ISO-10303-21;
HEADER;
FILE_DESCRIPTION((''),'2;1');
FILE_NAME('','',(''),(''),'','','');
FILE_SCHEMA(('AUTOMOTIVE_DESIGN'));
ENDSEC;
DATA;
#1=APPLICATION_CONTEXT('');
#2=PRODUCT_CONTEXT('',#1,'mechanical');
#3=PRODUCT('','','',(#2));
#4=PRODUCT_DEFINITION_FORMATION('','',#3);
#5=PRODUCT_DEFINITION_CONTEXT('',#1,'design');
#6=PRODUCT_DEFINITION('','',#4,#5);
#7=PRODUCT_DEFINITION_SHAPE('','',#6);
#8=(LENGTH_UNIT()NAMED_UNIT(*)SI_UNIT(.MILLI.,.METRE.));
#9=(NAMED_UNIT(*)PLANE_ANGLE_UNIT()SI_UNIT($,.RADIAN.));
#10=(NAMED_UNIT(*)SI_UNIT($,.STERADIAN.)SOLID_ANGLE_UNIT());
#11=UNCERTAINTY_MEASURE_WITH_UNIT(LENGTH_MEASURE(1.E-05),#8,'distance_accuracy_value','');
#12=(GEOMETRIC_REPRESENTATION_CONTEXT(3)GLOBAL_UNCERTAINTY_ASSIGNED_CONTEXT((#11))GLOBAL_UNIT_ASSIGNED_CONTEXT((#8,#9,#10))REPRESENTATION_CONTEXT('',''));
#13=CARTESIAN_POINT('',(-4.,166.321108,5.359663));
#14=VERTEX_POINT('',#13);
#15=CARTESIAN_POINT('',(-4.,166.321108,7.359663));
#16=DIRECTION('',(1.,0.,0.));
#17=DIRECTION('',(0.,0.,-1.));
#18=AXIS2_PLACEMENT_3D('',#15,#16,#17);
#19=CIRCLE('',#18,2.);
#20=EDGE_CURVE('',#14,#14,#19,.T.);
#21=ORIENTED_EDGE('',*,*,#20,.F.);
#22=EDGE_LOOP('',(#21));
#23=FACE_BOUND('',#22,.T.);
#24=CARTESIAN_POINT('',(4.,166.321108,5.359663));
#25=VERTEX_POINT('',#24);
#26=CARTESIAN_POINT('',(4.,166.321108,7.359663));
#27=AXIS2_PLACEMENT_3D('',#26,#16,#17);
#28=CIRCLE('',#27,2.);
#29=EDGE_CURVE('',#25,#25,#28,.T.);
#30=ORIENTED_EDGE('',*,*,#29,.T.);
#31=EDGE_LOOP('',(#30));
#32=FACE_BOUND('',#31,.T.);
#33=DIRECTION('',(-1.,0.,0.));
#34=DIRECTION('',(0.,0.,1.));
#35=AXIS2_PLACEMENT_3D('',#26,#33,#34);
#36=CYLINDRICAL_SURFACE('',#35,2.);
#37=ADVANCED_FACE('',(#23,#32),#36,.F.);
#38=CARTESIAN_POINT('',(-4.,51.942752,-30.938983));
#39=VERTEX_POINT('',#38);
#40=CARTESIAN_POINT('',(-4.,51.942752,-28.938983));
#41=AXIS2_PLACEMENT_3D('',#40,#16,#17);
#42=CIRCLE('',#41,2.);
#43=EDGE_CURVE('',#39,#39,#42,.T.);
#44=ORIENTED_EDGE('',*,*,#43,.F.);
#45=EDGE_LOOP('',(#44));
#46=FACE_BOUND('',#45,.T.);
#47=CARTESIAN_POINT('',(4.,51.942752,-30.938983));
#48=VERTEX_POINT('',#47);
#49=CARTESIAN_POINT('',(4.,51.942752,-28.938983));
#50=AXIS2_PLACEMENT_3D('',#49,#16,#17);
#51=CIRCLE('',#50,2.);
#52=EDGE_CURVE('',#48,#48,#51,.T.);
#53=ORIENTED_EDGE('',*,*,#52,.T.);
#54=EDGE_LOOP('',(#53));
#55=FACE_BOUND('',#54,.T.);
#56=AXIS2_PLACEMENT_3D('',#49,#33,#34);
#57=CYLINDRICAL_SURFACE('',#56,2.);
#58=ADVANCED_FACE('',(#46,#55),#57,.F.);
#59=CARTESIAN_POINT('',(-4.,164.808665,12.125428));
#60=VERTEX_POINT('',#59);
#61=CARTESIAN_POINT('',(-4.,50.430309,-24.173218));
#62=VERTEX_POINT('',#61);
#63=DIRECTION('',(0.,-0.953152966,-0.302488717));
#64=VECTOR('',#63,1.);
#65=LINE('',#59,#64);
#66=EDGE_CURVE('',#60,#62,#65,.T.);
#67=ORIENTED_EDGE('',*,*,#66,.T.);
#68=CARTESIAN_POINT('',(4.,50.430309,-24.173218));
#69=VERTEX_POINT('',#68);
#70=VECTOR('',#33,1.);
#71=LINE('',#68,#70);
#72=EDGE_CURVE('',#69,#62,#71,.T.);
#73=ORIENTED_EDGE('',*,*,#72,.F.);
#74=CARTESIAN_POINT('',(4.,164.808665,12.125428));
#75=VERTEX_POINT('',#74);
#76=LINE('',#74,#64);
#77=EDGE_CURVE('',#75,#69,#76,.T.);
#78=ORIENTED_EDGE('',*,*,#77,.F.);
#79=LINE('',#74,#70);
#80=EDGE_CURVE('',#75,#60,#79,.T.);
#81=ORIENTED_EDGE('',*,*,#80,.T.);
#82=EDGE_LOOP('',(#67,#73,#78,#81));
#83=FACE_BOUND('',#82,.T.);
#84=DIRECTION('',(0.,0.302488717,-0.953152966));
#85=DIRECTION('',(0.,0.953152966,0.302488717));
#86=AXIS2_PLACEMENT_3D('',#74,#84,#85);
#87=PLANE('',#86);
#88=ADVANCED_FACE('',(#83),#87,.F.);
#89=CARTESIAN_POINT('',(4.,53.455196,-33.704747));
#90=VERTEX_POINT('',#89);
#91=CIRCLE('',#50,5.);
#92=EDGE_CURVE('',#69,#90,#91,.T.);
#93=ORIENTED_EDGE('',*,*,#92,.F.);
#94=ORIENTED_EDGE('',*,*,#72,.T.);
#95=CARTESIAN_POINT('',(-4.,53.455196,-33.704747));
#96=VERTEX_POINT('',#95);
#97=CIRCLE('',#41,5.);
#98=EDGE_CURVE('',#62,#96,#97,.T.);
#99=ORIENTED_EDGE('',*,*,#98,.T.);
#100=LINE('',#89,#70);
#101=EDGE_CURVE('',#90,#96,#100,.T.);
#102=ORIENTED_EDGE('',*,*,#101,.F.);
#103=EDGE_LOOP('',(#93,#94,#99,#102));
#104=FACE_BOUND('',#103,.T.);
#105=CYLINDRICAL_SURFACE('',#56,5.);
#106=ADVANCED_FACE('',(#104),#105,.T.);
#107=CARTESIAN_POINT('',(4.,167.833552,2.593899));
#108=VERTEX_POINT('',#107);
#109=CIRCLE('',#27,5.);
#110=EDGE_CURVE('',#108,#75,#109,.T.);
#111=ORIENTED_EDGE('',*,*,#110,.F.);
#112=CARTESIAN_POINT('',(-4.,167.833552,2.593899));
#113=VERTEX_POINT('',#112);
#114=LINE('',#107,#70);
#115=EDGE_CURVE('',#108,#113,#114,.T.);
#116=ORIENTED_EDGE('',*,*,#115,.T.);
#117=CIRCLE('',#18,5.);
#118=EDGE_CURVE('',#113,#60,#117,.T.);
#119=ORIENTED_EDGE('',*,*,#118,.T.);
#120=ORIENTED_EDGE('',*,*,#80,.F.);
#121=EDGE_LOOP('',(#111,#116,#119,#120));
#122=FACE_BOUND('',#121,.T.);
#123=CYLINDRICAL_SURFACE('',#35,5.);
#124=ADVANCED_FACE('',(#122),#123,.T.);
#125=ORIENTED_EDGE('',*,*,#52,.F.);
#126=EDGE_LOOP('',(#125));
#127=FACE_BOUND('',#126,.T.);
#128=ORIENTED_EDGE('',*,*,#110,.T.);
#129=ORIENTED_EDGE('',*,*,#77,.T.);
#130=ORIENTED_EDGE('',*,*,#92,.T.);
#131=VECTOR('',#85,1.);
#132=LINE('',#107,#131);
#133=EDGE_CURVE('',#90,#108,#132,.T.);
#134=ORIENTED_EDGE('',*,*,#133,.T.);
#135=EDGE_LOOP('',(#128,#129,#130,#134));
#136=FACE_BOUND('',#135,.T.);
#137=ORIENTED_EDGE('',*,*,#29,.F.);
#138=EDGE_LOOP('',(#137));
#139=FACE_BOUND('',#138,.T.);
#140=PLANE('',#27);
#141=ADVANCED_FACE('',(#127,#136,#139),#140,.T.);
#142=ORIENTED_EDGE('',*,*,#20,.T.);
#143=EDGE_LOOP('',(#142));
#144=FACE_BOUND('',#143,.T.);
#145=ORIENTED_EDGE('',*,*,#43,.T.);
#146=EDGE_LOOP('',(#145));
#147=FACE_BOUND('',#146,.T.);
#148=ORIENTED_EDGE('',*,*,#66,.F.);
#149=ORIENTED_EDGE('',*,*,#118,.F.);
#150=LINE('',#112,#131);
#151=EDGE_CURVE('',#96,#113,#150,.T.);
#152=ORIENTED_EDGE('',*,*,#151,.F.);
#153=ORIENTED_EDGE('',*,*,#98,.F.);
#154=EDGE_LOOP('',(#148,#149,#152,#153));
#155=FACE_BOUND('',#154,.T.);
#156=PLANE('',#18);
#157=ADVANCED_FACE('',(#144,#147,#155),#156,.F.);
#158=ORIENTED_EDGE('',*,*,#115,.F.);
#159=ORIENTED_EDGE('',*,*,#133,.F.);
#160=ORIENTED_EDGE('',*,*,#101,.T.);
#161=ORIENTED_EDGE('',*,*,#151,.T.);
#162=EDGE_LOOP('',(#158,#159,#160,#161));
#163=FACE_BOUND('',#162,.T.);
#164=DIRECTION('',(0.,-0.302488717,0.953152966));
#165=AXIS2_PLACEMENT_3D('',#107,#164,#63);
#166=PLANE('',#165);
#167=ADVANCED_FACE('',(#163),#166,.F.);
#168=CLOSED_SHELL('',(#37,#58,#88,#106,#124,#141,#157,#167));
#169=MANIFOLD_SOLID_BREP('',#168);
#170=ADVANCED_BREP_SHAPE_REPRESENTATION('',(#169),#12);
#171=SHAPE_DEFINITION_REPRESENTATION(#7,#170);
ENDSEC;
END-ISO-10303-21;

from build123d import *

# Parameters (mm, degrees)
SKETCH_4_R      = 2
EXTRUDE_2_DEPTH = 4


with BuildPart() as part:
    # 草图4 → 凸台-拉伸2 (new, symmetric)
    with BuildSketch(Plane(origin=(0, 0, 0), x_dir=(0, 0, -1), z_dir=(1, 0, 0))):
        with BuildLine():
            Line((-2.59389862, 167.833551939), (33.70474737, 53.455196035))
            ThreePointArc((33.70474737, 53.455196035), (30.451426124, 47.176987623), (24.173217711, 50.430308869))
            Line((24.173217711, 50.430308869), (-12.125428278, 164.808664773))
            ThreePointArc((-12.125428278, 164.808664773), (-8.872107032, 171.086873186), (-2.59389862, 167.833551939))
        make_face()
        with Locations((-7.359663449, 166.321108356)):
            Circle(SKETCH_4_R, mode=Mode.SUBTRACT)
        with Locations((28.938982541, 51.942752452)):
            Circle(SKETCH_4_R, mode=Mode.SUBTRACT)
    extrude(amount=EXTRUDE_2_DEPTH, both=True)


solid = part.part
